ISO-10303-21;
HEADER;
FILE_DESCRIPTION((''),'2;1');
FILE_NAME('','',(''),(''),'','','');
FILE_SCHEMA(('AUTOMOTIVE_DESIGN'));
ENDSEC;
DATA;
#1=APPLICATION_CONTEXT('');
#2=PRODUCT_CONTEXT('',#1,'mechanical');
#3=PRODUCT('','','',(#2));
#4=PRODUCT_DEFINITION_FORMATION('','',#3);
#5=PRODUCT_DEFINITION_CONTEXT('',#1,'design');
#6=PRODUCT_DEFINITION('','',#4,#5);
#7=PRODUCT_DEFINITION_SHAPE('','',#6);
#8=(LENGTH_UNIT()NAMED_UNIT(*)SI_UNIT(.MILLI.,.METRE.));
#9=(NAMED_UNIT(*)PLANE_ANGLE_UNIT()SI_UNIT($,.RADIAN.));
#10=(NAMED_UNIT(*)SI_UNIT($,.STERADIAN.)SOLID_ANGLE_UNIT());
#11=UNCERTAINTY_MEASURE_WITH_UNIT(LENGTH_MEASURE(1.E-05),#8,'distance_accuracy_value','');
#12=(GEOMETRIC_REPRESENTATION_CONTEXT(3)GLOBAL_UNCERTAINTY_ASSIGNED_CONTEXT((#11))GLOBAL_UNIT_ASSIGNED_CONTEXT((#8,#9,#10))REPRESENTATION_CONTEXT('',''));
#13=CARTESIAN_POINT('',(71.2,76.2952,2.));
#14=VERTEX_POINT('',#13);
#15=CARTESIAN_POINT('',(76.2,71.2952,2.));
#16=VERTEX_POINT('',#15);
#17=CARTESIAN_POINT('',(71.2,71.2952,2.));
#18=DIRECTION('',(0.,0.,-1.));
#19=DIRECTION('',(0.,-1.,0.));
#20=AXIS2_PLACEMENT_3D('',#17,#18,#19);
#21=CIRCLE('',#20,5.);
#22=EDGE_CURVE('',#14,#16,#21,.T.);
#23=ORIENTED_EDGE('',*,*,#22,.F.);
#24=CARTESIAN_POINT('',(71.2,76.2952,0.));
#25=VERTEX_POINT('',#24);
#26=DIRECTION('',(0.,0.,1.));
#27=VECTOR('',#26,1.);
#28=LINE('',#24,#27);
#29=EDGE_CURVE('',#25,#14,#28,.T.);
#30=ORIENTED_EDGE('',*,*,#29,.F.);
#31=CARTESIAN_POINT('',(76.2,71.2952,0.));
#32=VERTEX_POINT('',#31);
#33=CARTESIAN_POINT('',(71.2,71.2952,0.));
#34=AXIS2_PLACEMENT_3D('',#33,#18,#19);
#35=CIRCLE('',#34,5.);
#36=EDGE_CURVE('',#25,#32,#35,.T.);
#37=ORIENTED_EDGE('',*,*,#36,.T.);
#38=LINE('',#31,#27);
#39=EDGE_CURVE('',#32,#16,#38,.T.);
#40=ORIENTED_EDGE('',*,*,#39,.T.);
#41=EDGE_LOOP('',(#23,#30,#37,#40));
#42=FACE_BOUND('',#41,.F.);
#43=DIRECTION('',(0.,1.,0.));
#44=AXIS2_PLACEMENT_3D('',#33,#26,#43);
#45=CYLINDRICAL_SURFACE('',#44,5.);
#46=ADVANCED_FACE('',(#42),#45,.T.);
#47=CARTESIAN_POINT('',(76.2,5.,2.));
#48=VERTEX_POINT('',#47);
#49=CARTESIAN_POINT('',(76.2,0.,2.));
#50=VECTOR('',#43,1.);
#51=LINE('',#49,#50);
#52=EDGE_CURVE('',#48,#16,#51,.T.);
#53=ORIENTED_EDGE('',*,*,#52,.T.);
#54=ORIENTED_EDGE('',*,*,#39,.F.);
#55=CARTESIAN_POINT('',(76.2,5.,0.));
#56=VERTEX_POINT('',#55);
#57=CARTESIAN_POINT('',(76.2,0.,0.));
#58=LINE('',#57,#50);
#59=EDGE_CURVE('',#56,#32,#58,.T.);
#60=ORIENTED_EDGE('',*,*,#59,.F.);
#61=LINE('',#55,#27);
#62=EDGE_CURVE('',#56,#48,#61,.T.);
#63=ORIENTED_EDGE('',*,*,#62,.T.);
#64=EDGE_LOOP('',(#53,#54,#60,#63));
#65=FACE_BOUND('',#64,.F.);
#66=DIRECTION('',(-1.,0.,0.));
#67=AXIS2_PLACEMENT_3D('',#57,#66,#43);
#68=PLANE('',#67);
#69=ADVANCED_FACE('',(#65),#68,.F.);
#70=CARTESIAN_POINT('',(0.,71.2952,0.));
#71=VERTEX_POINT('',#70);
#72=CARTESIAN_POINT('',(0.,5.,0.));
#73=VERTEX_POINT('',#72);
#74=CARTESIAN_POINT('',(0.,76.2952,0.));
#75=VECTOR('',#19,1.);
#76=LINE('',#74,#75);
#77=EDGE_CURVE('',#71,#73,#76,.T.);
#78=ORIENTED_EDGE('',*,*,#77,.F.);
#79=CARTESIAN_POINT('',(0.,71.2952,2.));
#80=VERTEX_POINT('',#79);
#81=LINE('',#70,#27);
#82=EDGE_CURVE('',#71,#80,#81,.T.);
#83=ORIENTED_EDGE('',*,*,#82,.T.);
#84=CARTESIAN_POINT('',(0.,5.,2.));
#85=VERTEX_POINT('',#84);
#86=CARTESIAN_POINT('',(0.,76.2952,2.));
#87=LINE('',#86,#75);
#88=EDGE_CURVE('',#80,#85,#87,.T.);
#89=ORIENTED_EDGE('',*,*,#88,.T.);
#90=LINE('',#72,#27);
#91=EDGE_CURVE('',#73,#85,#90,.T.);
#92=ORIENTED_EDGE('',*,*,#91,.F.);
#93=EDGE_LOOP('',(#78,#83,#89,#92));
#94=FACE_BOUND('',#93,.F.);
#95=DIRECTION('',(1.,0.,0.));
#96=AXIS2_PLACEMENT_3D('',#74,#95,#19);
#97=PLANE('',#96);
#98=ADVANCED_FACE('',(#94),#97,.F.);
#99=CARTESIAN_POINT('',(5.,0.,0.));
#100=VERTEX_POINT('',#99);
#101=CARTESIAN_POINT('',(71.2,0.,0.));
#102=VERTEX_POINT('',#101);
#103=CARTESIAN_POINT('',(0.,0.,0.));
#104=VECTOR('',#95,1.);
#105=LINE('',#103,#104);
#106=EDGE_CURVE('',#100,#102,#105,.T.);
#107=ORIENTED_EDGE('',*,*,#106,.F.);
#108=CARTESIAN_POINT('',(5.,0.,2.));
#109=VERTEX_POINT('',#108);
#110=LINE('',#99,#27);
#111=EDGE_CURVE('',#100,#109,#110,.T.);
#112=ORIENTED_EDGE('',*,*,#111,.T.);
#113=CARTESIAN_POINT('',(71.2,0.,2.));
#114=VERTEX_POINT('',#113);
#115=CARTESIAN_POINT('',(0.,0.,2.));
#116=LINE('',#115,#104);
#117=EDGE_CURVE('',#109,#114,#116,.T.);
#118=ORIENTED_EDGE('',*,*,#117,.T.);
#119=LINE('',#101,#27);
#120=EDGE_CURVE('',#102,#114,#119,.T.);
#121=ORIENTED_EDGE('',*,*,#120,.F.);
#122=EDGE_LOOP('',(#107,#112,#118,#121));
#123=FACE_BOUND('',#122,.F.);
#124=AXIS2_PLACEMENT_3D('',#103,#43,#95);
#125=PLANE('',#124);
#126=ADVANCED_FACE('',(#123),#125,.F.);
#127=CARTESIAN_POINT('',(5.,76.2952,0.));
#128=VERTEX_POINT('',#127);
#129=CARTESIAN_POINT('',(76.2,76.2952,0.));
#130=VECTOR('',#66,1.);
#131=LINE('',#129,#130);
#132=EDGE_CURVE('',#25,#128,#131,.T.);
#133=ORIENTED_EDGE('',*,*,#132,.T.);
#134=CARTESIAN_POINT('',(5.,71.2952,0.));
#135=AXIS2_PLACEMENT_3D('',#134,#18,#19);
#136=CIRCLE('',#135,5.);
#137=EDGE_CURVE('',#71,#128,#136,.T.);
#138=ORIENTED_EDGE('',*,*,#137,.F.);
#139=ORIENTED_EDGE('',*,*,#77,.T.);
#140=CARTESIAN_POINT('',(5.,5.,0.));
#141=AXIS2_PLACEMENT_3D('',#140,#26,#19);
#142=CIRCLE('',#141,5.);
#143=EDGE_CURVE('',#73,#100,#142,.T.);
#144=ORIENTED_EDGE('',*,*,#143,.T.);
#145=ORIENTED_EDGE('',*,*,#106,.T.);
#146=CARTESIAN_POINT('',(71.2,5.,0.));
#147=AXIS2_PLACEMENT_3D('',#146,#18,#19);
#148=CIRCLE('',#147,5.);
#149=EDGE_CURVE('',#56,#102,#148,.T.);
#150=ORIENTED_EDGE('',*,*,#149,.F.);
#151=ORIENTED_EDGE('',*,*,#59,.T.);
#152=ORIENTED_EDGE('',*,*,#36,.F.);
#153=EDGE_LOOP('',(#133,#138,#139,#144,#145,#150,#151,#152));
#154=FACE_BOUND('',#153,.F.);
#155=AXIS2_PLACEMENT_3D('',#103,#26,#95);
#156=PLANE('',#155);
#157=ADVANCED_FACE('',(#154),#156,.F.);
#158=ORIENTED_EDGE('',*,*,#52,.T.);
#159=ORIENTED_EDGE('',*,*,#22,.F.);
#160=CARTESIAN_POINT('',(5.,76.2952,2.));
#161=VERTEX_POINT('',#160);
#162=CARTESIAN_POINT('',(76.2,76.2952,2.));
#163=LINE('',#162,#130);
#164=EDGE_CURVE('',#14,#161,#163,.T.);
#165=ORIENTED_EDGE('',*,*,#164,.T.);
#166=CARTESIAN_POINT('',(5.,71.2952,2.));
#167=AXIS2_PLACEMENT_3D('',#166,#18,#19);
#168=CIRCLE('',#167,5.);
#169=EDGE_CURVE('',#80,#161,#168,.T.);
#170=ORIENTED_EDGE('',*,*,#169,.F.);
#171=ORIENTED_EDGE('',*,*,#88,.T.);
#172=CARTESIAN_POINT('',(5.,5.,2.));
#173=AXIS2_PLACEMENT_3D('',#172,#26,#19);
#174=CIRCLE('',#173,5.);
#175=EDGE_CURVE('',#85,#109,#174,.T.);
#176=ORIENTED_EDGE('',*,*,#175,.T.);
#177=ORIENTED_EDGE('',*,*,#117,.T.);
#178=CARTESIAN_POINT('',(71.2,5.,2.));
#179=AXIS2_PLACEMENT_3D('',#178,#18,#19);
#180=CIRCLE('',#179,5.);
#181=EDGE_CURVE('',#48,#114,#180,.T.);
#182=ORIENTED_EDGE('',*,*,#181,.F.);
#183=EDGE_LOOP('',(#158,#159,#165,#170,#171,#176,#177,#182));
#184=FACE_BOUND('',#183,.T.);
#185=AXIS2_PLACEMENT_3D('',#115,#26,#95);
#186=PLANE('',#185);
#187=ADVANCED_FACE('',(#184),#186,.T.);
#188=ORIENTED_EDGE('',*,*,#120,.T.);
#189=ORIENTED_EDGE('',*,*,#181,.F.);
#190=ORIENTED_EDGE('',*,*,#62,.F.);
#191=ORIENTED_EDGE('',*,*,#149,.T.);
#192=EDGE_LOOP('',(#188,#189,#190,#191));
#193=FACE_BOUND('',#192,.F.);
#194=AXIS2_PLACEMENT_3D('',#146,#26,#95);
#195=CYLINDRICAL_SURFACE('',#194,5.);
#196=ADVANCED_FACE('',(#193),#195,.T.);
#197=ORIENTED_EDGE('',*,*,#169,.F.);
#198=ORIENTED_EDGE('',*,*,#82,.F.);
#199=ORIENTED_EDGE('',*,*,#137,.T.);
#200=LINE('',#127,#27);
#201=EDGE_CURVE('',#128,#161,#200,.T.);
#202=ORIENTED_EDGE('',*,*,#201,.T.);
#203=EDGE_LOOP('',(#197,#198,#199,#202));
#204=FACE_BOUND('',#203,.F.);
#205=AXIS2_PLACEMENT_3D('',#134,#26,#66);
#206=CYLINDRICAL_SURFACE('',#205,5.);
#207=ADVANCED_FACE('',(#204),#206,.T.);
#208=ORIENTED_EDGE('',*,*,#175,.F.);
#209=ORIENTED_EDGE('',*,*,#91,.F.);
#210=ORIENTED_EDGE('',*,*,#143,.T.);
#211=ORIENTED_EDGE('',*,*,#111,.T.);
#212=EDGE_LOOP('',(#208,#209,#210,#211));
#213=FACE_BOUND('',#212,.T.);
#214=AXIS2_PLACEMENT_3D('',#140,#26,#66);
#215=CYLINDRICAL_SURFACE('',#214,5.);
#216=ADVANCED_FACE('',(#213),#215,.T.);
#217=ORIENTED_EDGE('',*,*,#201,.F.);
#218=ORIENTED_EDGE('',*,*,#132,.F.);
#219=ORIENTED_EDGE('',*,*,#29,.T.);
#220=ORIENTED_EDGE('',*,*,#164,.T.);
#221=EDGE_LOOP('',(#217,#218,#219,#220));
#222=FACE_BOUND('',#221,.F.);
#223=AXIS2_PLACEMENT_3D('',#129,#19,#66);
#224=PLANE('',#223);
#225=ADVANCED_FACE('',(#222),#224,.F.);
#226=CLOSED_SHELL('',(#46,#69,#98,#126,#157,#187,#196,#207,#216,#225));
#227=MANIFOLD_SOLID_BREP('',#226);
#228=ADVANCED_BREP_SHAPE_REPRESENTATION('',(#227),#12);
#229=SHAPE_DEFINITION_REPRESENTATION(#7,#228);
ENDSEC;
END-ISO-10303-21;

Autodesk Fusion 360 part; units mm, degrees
sketch "Sketch1" plane through (0, 0, 0) normal (0, 0, 1) x (1, 0, 0)
  line L0 (0, 0) -> (-70, 0)
  line L1 (-70, 0) -> (-70, -50.9434)
  line L2 (-70, -50.9434) -> (0, -50.9434)
  line L3 (0, -50.9434) -> (0, 0)
  dimension "d1" = 70
sketch "Sketch2" plane through (0, 0, 0) normal (0, 0, 1) x (1, 0, 0)
  line L0 (0, 0) -> (76.2, 0)
  line L1 (76.2, 0) -> (76.2, 76.2952)
  line L2 (76.2, 76.2952) -> (0, 76.2952)
  line L3 (0, 76.2952) -> (0, 0)
  dimension "d4" = 76.2
extrude "Extrude2" add sketch "Sketch2" along normal blind 2
fillet "Fillet1" radius 5 4 edges at (0, 76.2952, 1) (76.2, 76.2952, 1) (0, 0, 1) (76.2, 0, 1)
